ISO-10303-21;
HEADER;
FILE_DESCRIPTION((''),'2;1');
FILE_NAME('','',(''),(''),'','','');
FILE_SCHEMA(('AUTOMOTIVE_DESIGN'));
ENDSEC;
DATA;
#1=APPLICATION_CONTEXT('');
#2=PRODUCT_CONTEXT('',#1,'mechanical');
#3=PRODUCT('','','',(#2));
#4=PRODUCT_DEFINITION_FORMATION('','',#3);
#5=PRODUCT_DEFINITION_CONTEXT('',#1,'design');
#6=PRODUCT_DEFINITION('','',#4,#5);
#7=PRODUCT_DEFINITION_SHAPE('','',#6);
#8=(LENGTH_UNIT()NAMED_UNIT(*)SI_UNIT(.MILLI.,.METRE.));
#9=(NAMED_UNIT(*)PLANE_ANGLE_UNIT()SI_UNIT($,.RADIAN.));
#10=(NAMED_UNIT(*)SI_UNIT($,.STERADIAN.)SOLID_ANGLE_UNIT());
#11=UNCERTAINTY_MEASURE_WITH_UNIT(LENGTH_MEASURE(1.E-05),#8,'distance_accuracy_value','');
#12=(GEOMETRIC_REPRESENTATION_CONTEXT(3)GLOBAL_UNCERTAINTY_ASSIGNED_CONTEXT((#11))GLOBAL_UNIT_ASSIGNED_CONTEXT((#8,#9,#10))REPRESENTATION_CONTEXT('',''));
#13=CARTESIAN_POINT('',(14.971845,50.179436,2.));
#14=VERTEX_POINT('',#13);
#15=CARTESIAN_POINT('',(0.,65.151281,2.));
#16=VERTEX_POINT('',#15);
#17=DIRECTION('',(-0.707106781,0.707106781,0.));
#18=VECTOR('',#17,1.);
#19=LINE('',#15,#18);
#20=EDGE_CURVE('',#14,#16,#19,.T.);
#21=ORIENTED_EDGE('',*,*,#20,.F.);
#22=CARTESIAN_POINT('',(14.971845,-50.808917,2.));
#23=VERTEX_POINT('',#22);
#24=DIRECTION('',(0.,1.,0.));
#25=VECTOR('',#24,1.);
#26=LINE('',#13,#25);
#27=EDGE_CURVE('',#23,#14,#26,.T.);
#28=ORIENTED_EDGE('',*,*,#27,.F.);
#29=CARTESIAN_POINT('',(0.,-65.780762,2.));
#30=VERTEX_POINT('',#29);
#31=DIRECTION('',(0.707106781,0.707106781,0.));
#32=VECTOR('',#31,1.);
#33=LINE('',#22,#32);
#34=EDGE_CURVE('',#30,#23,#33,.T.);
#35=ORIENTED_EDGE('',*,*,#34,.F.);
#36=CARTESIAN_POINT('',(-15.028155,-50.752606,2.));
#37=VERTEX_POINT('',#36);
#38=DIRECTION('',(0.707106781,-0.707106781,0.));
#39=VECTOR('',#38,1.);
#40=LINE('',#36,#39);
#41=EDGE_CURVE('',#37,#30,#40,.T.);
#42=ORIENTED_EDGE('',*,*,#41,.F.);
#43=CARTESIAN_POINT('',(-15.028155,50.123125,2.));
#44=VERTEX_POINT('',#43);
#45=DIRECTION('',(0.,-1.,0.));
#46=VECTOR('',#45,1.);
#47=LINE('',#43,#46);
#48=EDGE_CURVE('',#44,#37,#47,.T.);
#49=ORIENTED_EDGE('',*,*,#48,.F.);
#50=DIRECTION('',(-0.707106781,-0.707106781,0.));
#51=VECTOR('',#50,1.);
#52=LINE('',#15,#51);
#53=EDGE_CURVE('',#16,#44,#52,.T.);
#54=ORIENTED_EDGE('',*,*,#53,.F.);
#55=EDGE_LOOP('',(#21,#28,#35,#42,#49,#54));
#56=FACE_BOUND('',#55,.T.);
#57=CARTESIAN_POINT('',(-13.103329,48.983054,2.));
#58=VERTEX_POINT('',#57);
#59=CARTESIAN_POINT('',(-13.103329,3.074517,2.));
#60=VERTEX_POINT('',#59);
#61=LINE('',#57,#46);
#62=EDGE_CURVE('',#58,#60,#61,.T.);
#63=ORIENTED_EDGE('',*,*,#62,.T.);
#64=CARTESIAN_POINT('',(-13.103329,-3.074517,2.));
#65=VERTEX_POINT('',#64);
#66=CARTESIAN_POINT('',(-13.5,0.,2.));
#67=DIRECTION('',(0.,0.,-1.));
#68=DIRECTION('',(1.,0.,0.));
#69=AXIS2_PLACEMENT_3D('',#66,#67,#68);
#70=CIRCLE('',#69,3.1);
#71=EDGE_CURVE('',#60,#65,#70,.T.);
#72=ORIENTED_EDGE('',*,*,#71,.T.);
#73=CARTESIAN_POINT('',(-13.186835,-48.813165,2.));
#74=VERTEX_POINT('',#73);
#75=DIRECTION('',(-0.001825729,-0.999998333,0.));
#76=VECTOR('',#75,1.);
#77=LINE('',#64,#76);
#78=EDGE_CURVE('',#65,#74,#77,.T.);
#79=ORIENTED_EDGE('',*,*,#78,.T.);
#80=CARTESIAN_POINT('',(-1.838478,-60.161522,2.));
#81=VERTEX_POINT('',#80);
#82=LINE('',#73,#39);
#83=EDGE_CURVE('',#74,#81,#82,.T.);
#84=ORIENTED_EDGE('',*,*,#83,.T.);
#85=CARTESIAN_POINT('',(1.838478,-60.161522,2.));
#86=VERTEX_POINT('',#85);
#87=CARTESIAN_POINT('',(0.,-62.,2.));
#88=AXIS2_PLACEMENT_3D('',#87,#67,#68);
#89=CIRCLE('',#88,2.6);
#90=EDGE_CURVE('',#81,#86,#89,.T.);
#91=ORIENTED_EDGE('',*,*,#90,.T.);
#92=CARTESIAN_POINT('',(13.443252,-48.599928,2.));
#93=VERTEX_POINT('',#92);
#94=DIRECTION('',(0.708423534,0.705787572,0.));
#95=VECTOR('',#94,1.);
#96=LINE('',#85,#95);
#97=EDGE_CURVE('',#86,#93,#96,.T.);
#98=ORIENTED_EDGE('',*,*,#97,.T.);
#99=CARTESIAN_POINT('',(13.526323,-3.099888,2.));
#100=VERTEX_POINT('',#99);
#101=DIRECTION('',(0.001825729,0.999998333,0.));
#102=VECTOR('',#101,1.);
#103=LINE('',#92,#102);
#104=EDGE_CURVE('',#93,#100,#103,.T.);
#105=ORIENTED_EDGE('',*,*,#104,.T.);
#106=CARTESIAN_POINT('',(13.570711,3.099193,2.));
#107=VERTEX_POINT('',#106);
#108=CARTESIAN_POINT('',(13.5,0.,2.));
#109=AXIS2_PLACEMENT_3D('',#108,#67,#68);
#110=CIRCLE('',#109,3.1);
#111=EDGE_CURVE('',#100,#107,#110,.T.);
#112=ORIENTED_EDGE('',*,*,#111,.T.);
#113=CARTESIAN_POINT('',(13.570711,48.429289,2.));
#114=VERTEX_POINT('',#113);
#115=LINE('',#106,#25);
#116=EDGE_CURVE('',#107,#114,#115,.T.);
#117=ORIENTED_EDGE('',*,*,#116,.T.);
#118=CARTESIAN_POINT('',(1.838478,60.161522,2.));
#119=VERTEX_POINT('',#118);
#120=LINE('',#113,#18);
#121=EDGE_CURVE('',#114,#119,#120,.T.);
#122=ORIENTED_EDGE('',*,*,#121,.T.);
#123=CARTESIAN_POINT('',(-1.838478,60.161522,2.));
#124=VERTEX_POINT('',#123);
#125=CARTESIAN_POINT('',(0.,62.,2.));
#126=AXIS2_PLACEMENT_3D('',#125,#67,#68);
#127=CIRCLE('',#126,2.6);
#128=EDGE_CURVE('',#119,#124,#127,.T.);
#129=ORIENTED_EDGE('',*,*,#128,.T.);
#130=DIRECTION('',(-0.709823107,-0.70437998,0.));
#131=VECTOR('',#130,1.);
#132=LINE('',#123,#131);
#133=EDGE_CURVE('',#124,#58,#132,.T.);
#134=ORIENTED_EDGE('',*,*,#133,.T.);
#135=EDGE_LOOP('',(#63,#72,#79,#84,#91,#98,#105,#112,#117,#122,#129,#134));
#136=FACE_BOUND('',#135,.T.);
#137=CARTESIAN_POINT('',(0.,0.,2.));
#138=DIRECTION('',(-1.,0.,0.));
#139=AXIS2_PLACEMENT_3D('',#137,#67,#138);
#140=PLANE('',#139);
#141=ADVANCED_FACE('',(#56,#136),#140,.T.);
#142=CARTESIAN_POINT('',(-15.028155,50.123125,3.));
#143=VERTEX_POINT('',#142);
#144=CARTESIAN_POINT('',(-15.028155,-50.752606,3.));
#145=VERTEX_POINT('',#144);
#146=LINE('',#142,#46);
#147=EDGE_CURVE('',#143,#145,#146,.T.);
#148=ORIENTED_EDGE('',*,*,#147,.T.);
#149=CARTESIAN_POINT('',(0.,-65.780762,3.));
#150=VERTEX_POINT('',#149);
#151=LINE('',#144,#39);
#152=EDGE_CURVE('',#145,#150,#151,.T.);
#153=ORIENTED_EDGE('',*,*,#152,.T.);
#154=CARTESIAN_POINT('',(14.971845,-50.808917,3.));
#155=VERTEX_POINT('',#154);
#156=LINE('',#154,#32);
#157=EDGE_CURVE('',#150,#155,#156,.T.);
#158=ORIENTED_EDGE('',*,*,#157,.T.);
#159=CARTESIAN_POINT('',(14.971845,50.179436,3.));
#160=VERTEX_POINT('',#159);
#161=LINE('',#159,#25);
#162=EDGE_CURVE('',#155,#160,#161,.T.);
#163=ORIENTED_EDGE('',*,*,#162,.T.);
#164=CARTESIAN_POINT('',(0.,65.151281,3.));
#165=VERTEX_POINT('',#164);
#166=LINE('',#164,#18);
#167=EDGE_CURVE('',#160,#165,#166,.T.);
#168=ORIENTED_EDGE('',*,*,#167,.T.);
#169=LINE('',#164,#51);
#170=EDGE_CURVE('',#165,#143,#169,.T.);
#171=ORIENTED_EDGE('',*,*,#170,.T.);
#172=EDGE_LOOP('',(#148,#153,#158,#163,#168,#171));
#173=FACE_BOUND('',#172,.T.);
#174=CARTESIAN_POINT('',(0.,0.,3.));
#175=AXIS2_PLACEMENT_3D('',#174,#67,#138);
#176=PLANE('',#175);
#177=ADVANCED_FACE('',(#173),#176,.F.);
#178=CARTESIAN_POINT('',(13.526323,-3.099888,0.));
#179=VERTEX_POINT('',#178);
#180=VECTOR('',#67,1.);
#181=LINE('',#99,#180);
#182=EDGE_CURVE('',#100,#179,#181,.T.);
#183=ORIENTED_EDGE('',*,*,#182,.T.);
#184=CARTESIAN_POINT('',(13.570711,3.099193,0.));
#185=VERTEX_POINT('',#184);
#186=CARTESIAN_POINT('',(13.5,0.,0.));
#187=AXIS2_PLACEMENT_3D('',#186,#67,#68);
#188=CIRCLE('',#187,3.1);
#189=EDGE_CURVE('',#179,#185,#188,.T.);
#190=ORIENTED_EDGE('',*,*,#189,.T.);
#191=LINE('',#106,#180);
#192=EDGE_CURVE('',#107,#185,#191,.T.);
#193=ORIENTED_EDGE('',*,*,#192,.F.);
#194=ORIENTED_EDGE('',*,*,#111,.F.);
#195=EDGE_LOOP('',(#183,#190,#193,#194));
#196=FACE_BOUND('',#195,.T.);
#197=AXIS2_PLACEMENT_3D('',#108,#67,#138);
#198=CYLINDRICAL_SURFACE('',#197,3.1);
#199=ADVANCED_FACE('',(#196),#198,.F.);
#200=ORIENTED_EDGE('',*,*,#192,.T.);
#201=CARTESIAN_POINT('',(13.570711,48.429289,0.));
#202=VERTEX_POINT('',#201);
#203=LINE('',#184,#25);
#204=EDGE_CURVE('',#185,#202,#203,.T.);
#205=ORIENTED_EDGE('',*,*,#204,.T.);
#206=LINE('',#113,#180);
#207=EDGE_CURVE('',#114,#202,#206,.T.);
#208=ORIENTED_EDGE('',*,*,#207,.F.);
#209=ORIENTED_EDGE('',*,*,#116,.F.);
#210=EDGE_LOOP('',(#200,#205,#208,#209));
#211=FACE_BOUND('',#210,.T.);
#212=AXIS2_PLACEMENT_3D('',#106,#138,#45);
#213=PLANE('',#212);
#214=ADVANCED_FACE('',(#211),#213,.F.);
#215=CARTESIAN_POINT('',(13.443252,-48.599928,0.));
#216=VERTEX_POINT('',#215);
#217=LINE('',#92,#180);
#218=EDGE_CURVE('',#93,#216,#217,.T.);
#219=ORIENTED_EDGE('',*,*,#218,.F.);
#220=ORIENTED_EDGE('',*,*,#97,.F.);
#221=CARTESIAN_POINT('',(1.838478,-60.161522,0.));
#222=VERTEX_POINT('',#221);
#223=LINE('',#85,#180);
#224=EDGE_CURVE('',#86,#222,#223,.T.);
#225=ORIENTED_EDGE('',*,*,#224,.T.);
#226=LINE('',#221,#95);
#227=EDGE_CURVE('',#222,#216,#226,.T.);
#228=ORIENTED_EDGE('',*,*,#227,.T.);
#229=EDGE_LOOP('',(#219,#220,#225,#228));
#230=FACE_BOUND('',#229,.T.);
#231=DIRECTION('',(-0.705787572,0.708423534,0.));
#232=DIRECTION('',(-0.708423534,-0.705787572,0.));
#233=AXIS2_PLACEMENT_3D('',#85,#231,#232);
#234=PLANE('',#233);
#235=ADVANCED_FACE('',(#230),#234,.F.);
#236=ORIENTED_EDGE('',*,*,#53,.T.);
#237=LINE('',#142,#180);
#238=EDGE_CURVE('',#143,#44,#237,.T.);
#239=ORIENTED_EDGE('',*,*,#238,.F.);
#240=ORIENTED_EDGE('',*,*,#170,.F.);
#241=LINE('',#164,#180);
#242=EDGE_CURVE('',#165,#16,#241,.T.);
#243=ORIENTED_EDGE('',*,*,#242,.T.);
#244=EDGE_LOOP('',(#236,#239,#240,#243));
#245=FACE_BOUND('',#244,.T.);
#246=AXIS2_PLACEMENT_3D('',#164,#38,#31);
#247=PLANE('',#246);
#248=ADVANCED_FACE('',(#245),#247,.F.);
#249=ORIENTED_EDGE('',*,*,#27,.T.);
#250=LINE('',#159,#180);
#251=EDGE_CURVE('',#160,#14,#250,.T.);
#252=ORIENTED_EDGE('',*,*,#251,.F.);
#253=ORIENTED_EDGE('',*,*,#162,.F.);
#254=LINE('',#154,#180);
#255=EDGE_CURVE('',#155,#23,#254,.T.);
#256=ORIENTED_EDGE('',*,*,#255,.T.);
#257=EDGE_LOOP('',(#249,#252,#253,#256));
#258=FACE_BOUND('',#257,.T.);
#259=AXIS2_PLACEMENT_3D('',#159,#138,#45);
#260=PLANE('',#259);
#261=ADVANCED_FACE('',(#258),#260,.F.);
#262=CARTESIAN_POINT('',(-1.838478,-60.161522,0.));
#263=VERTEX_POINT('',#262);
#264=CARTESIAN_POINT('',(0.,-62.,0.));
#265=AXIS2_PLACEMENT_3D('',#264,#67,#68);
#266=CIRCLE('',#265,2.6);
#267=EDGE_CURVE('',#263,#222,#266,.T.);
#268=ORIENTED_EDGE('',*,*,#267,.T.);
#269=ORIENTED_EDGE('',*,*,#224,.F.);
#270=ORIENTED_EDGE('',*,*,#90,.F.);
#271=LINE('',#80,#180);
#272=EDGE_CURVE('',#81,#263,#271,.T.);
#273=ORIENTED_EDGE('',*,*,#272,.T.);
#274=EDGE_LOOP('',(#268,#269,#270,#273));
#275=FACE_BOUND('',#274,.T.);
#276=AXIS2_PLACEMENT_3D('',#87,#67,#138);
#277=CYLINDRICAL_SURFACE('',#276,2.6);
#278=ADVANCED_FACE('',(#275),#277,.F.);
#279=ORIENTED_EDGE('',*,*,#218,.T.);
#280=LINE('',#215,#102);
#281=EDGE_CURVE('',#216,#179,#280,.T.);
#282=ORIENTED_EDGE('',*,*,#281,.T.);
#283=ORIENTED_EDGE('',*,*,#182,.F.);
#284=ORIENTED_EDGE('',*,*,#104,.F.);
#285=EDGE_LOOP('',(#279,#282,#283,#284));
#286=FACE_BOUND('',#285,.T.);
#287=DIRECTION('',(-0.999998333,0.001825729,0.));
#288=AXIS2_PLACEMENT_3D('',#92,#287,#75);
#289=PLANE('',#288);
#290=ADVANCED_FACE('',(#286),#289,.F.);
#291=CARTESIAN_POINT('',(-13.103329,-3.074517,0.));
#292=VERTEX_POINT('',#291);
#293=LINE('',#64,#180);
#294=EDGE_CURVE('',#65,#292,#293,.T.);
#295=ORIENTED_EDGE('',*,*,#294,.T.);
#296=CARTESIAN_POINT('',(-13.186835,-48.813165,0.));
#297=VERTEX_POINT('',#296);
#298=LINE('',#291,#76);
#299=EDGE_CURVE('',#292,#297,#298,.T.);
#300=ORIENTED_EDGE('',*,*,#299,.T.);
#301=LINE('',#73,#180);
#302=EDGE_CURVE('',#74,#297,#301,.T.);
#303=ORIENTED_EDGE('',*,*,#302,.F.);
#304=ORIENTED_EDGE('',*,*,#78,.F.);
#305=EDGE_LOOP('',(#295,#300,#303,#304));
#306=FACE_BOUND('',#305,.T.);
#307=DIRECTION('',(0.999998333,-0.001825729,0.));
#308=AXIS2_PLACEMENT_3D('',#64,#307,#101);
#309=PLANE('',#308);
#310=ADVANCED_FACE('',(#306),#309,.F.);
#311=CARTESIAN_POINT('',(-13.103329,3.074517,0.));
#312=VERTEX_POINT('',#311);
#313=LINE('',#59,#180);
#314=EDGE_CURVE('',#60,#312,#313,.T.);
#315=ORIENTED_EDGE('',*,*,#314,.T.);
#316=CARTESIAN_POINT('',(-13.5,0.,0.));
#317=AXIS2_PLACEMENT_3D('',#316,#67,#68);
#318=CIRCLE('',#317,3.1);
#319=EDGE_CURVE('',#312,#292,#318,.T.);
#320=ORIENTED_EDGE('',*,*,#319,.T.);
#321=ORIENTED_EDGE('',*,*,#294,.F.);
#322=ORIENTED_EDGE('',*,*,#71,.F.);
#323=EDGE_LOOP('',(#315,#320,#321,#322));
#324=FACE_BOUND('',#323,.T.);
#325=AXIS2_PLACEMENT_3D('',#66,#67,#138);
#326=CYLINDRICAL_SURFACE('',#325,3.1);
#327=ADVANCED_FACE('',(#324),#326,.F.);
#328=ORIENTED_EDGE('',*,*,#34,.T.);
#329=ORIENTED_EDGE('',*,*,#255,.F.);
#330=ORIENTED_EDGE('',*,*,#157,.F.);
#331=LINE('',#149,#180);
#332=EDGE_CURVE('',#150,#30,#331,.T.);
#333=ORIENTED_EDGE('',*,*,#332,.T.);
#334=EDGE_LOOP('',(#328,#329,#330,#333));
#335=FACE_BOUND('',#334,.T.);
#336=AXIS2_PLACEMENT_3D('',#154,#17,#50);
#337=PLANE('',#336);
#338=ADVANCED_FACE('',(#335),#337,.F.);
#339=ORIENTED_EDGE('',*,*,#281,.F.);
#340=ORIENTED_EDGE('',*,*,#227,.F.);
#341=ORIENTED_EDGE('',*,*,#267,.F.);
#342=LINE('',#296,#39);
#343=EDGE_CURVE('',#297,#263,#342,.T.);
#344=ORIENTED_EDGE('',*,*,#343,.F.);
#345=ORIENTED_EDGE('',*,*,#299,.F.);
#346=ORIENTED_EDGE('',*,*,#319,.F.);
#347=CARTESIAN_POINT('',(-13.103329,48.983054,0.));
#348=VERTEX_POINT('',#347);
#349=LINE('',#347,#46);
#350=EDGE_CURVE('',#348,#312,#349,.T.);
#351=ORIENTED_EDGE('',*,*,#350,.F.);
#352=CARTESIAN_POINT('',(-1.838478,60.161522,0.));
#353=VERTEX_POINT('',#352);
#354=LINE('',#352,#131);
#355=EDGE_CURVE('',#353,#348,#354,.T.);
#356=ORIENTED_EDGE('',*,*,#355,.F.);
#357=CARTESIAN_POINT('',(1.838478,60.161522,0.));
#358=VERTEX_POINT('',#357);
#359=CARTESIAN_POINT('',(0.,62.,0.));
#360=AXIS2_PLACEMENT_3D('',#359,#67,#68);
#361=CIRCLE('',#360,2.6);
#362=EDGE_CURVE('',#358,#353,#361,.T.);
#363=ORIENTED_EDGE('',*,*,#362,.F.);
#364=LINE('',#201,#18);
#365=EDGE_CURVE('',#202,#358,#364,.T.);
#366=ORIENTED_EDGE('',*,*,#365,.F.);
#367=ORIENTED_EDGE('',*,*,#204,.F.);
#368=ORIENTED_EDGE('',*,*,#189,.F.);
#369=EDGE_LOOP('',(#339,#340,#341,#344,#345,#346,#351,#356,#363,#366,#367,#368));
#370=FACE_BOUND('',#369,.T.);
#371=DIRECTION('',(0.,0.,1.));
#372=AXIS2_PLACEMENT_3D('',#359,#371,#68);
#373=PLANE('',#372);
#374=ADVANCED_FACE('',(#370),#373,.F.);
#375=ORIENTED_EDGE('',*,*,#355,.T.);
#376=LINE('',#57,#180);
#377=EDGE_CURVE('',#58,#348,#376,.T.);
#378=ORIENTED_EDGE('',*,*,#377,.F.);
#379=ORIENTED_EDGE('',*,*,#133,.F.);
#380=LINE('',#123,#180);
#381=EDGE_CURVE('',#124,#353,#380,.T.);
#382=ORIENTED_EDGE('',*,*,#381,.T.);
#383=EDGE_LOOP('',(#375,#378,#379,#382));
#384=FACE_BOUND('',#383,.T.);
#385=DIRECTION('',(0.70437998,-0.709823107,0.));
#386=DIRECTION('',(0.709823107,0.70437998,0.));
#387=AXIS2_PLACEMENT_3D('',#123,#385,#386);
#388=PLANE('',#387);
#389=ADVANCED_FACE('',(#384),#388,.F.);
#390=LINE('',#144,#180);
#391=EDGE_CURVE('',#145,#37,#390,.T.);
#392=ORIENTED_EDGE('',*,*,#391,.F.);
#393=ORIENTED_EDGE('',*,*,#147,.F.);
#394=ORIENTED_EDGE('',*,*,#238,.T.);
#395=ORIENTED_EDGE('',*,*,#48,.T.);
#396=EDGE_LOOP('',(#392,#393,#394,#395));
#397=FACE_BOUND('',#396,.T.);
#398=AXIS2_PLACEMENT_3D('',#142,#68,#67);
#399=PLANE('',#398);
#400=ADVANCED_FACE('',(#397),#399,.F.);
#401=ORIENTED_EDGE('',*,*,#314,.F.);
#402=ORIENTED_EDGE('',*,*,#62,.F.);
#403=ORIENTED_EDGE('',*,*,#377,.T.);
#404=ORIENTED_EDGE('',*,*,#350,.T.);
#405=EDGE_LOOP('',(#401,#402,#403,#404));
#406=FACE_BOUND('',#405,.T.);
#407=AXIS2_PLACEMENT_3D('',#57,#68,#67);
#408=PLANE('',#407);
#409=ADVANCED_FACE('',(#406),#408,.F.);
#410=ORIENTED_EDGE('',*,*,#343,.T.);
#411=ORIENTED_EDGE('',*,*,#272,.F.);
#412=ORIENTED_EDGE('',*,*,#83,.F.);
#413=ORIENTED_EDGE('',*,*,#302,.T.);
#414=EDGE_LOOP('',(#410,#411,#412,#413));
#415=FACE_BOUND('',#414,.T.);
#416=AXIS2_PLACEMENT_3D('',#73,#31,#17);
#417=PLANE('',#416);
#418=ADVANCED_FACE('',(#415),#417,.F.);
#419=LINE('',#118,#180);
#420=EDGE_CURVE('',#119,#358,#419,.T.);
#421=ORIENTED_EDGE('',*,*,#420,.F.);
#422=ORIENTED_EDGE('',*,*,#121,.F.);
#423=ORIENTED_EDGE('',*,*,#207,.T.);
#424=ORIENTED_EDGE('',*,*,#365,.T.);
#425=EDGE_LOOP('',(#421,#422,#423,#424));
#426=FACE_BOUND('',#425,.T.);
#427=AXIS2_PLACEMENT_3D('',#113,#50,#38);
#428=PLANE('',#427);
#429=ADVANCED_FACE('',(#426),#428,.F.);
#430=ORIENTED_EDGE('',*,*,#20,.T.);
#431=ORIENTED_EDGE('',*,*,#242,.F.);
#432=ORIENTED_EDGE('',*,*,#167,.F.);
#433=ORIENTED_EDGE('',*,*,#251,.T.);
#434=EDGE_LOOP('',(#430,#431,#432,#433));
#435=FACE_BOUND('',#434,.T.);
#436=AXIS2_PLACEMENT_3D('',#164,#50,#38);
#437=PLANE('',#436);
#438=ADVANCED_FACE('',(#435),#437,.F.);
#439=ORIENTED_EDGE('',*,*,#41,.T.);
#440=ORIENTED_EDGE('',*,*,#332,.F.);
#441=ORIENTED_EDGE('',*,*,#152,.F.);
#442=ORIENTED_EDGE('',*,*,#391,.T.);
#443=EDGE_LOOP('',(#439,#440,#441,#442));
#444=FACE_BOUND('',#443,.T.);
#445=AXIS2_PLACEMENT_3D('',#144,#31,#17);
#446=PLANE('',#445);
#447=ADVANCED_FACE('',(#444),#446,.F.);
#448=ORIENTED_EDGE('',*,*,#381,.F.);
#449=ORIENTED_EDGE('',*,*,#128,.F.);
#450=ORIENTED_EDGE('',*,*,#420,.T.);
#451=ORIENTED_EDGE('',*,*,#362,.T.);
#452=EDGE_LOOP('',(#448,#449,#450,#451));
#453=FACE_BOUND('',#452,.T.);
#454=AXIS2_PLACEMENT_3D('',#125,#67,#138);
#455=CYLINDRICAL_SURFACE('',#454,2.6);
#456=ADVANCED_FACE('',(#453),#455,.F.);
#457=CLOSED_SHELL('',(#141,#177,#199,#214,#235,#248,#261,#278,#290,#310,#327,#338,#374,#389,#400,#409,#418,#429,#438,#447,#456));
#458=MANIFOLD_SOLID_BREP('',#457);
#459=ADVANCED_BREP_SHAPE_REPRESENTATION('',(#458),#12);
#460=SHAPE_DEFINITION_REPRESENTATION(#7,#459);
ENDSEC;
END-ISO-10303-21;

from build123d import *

# Parameters (mm, degrees)
BOSS_EXTRU_1_DEPTH = 2
BOSS_EXTRU_2_DEPTH = 1


with BuildPart() as part:
    # Esquisse1 → Boss.-Extru.1 (new body)
    with BuildSketch(Plane.XY):
        with BuildLine():
            Line((-13.186835109, -48.813164891), (-1.838477631, -60.161522369))
            ThreePointArc((-1.838477631, -60.161522369), (0, -59.4), (1.838477631, -60.161522369))
            Line((1.838477631, -60.161522369), (13.443252333, -48.599927693))
            Line((13.443252333, -48.599927693), (13.526323228, -3.099888238))
            ThreePointArc((13.526323228, -3.099888238), (10.400079466, 0.022196444), (13.570710678, 3.099193443))
            Line((13.570710678, 3.099193443), (13.570710678, 48.429289322))
            Line((13.570710678, 48.429289322), (1.838477631, 60.161522369))
            ThreePointArc((1.838477631, 60.161522369), (0, 59.4), (-1.838477631, 60.161522369))
            Line((-1.838477631, 60.161522369), (-13.103328579, 48.983053521))
            Line((-13.103328579, 48.983053521), (-13.103328579, 3.074516512))
            ThreePointArc((-13.103328579, 3.074516512), (-10.4, 0), (-13.103328579, -3.074516512))
            Line((-13.103328579, -3.074516512), (-13.186835109, -48.813164891))
        make_face()
    extrude(amount=BOSS_EXTRU_1_DEPTH)

    # Esquisse2 → Boss.-Extru.2 (add)
    with BuildSketch(Plane.XY.offset(2)):
        Polygon((0, 65.151280821), (-15.028155385, 50.123125436), (-15.028155385, -50.75260641), (0, -65.780761795), (14.971844615, -50.80891718), (14.971844615, 50.179436206), align=None)
    extrude(amount=BOSS_EXTRU_2_DEPTH)


solid = part.part
